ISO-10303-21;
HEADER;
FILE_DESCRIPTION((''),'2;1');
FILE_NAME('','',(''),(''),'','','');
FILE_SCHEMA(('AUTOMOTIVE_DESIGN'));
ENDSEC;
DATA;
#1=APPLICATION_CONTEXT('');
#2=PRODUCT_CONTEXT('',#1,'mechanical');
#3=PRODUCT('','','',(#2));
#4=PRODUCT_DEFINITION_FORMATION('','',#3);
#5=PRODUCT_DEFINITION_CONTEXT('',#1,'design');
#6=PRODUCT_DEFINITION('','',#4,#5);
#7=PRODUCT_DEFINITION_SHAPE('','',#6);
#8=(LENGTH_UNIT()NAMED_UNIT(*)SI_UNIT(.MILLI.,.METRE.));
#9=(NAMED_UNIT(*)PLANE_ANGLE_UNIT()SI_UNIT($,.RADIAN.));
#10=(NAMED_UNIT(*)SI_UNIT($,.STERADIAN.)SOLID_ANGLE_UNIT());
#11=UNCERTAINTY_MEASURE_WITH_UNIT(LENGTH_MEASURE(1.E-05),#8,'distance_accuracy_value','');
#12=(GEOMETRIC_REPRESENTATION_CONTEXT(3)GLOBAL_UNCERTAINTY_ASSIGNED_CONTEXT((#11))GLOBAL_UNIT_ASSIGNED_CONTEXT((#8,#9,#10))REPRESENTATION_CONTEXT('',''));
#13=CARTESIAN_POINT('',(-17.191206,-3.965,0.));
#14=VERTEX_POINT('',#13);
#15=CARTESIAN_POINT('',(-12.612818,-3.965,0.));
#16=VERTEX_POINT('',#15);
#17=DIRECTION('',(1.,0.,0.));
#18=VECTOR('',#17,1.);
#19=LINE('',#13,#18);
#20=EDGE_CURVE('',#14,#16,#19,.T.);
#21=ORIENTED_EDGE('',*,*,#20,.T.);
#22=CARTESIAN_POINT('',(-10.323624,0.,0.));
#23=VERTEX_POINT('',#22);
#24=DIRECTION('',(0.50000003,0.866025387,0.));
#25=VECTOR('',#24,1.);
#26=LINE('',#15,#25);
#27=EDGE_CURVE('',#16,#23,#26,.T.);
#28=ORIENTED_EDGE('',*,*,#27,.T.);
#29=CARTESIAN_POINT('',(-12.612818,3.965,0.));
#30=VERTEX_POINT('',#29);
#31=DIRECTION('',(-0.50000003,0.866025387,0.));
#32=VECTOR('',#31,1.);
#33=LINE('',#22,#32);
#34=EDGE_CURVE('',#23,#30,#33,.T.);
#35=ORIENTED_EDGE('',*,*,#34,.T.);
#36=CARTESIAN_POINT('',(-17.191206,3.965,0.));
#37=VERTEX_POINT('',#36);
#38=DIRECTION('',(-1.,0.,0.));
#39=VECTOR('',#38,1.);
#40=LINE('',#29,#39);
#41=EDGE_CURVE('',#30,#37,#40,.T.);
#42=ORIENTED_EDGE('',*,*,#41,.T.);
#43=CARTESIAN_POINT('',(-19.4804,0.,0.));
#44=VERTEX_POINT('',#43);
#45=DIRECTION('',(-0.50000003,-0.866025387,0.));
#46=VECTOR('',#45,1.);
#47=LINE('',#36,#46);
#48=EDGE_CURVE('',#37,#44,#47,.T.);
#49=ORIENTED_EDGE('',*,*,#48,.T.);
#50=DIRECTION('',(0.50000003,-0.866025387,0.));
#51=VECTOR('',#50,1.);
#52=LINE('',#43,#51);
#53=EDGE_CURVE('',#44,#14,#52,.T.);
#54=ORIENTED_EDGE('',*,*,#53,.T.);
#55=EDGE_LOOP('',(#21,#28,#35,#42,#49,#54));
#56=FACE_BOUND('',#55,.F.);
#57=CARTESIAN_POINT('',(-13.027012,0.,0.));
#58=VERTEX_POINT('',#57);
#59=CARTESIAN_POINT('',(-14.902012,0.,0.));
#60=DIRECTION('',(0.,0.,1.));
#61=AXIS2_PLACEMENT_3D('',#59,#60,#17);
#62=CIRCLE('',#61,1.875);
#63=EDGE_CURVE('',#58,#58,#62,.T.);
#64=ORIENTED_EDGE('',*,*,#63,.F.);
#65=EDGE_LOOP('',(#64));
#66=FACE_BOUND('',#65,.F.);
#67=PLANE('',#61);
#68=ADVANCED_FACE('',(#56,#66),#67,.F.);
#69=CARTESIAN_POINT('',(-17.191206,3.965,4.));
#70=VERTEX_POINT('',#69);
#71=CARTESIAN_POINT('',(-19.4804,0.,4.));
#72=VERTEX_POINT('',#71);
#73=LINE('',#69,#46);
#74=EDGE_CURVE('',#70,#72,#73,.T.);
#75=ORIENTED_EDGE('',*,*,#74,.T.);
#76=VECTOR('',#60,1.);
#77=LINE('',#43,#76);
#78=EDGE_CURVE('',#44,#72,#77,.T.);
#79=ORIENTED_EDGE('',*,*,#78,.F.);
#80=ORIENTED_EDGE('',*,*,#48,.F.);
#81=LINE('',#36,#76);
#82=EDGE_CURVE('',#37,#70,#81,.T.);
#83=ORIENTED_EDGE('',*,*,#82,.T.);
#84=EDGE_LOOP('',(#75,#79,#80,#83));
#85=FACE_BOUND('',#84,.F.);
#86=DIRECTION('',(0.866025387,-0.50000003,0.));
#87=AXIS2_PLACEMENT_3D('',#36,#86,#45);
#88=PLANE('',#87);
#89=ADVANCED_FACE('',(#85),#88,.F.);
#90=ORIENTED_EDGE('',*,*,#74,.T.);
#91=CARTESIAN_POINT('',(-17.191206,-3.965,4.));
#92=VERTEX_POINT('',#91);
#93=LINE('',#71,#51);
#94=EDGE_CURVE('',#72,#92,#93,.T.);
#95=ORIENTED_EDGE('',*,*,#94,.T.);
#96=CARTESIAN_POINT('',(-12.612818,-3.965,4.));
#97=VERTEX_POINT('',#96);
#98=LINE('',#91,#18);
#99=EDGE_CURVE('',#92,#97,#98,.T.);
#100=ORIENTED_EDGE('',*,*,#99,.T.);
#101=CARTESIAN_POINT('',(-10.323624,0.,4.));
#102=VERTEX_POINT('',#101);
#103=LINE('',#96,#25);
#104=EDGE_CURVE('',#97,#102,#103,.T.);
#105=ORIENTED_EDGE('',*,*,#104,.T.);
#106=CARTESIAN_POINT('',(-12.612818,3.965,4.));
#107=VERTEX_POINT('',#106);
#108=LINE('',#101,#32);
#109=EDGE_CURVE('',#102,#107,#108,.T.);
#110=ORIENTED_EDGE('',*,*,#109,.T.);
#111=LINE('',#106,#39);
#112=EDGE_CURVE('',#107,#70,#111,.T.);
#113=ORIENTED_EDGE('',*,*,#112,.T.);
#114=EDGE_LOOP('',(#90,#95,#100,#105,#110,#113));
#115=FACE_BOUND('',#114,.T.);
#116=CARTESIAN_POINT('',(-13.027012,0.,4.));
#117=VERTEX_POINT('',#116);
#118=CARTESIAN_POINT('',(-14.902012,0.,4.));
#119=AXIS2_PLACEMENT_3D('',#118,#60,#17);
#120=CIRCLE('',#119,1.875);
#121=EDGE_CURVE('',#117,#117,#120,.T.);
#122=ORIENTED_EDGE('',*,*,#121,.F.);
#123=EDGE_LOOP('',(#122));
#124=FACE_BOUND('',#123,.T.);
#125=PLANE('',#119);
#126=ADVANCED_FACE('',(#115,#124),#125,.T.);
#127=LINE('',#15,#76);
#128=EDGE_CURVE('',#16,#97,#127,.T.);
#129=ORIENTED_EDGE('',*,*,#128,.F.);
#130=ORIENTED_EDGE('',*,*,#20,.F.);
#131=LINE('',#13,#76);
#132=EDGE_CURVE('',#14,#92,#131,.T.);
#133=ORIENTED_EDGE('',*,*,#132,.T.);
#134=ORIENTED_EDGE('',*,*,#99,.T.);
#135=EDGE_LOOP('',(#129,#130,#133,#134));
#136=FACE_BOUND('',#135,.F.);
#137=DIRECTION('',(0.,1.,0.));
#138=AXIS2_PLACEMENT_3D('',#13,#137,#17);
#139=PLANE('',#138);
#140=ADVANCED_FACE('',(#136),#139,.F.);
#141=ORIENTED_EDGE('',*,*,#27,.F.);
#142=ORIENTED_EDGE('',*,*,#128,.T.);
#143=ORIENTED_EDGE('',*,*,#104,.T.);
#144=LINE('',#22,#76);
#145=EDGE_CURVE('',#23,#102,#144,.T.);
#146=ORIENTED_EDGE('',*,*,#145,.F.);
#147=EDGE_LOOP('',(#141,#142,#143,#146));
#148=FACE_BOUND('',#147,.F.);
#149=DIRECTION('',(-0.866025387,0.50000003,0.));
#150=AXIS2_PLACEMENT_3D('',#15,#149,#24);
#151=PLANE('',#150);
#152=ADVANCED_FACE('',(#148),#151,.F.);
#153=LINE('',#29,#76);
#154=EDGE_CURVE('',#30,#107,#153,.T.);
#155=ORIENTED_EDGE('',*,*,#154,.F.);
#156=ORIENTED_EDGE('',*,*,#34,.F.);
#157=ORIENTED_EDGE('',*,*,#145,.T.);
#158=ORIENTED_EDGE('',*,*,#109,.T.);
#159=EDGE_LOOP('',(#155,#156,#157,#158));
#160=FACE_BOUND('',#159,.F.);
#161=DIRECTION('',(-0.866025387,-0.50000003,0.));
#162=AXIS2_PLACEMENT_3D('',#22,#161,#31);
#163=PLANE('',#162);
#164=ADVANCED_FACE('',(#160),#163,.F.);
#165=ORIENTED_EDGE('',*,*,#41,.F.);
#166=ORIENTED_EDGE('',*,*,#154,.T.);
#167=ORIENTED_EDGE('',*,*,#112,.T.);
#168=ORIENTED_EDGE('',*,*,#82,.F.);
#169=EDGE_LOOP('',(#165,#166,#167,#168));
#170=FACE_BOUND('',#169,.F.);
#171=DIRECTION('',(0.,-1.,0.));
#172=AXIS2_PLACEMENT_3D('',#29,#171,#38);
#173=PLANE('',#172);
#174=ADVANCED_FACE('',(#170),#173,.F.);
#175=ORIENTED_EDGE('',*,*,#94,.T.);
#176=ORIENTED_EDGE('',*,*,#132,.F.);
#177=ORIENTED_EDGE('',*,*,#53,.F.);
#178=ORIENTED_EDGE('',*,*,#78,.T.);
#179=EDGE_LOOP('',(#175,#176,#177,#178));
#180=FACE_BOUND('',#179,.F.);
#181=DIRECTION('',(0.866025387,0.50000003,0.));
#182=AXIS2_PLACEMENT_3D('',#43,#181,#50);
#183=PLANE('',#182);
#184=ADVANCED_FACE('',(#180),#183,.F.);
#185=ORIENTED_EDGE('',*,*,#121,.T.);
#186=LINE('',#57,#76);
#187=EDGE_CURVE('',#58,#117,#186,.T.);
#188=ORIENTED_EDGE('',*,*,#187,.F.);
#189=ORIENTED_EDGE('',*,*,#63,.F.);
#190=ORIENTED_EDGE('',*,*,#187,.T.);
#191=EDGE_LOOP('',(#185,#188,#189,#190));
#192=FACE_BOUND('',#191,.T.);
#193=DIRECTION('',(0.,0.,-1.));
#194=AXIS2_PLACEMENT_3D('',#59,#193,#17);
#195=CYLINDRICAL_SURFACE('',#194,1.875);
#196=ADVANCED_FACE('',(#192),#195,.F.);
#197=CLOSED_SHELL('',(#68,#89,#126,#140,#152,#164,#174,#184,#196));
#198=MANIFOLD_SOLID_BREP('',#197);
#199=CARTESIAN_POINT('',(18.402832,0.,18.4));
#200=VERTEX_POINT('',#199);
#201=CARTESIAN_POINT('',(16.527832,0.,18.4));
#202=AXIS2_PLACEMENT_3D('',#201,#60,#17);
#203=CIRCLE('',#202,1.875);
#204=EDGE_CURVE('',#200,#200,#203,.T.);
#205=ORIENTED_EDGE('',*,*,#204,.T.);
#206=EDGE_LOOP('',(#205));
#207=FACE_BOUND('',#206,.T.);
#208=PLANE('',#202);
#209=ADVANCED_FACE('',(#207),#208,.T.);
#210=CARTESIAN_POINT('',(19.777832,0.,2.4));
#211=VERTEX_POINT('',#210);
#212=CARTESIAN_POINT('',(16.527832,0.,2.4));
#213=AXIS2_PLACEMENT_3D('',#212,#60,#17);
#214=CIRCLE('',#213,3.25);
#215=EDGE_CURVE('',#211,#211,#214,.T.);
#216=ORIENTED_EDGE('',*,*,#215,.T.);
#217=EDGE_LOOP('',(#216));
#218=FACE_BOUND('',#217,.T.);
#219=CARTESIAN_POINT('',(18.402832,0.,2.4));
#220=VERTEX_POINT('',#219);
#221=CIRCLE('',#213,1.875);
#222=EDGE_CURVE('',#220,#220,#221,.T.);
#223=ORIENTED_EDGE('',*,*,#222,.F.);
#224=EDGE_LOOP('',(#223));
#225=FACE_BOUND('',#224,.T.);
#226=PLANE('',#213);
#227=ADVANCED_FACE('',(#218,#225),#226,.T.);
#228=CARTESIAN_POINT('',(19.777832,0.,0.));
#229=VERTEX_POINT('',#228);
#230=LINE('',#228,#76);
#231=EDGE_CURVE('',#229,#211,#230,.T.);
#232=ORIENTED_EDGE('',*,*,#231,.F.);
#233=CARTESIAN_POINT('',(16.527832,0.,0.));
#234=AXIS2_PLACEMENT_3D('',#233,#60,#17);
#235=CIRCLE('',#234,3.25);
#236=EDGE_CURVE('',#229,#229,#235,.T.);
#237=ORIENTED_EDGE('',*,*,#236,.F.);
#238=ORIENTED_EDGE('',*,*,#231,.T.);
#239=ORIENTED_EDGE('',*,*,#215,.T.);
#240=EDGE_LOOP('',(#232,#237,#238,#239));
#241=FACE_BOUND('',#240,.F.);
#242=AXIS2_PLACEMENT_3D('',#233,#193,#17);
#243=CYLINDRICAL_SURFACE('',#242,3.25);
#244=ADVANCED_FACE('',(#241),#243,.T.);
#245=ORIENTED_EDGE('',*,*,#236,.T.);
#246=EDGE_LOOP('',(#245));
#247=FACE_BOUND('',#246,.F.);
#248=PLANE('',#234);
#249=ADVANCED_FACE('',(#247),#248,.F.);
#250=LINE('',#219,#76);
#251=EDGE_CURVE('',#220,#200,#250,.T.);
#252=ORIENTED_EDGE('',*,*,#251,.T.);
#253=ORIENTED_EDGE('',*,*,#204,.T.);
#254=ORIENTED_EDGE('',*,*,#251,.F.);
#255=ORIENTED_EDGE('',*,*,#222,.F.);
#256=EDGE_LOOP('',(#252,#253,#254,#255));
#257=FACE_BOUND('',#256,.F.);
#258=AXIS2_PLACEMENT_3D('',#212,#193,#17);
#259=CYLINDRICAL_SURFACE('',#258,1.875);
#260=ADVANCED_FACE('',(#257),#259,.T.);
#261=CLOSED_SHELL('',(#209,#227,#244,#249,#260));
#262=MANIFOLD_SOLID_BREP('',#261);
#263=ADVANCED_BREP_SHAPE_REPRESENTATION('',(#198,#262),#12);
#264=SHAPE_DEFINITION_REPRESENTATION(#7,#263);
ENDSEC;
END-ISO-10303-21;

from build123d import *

# Parameters (mm, degrees)
F0_R     = 1.875
F1_DEPTH = 4
F2_R     = 3.25
F3_DEPTH = 2.4
F4_R     = 1.875
F5_DEPTH = 16


with BuildPart() as f1:
    # F0 (on Top) → F1 (new body)
    with BuildSketch(Plane.XY):
        Polygon((-12.612818, 3.965), (-17.191206, 3.965), (-19.4804, 0), (-17.191206, -3.965), (-12.612818, -3.965), (-10.323624, 0), align=None)
        with Locations((-14.902012, 0)):
            Circle(F0_R, mode=Mode.SUBTRACT)
    extrude(amount=F1_DEPTH)


with BuildPart() as f3:
    # F2 (on Top) → F3 (new body)
    with BuildSketch(Plane.XY):
        with Locations((16.527832, 0)):
            Circle(F2_R)
    extrude(amount=F3_DEPTH)

    # F4 (on face) → F5 (join)
    with BuildSketch(Plane.XY.offset(2.4)):
        with Locations((16.527832, 0)):
            Circle(F4_R)
    extrude(amount=F5_DEPTH)


solid = Compound([f1.part, f3.part])
